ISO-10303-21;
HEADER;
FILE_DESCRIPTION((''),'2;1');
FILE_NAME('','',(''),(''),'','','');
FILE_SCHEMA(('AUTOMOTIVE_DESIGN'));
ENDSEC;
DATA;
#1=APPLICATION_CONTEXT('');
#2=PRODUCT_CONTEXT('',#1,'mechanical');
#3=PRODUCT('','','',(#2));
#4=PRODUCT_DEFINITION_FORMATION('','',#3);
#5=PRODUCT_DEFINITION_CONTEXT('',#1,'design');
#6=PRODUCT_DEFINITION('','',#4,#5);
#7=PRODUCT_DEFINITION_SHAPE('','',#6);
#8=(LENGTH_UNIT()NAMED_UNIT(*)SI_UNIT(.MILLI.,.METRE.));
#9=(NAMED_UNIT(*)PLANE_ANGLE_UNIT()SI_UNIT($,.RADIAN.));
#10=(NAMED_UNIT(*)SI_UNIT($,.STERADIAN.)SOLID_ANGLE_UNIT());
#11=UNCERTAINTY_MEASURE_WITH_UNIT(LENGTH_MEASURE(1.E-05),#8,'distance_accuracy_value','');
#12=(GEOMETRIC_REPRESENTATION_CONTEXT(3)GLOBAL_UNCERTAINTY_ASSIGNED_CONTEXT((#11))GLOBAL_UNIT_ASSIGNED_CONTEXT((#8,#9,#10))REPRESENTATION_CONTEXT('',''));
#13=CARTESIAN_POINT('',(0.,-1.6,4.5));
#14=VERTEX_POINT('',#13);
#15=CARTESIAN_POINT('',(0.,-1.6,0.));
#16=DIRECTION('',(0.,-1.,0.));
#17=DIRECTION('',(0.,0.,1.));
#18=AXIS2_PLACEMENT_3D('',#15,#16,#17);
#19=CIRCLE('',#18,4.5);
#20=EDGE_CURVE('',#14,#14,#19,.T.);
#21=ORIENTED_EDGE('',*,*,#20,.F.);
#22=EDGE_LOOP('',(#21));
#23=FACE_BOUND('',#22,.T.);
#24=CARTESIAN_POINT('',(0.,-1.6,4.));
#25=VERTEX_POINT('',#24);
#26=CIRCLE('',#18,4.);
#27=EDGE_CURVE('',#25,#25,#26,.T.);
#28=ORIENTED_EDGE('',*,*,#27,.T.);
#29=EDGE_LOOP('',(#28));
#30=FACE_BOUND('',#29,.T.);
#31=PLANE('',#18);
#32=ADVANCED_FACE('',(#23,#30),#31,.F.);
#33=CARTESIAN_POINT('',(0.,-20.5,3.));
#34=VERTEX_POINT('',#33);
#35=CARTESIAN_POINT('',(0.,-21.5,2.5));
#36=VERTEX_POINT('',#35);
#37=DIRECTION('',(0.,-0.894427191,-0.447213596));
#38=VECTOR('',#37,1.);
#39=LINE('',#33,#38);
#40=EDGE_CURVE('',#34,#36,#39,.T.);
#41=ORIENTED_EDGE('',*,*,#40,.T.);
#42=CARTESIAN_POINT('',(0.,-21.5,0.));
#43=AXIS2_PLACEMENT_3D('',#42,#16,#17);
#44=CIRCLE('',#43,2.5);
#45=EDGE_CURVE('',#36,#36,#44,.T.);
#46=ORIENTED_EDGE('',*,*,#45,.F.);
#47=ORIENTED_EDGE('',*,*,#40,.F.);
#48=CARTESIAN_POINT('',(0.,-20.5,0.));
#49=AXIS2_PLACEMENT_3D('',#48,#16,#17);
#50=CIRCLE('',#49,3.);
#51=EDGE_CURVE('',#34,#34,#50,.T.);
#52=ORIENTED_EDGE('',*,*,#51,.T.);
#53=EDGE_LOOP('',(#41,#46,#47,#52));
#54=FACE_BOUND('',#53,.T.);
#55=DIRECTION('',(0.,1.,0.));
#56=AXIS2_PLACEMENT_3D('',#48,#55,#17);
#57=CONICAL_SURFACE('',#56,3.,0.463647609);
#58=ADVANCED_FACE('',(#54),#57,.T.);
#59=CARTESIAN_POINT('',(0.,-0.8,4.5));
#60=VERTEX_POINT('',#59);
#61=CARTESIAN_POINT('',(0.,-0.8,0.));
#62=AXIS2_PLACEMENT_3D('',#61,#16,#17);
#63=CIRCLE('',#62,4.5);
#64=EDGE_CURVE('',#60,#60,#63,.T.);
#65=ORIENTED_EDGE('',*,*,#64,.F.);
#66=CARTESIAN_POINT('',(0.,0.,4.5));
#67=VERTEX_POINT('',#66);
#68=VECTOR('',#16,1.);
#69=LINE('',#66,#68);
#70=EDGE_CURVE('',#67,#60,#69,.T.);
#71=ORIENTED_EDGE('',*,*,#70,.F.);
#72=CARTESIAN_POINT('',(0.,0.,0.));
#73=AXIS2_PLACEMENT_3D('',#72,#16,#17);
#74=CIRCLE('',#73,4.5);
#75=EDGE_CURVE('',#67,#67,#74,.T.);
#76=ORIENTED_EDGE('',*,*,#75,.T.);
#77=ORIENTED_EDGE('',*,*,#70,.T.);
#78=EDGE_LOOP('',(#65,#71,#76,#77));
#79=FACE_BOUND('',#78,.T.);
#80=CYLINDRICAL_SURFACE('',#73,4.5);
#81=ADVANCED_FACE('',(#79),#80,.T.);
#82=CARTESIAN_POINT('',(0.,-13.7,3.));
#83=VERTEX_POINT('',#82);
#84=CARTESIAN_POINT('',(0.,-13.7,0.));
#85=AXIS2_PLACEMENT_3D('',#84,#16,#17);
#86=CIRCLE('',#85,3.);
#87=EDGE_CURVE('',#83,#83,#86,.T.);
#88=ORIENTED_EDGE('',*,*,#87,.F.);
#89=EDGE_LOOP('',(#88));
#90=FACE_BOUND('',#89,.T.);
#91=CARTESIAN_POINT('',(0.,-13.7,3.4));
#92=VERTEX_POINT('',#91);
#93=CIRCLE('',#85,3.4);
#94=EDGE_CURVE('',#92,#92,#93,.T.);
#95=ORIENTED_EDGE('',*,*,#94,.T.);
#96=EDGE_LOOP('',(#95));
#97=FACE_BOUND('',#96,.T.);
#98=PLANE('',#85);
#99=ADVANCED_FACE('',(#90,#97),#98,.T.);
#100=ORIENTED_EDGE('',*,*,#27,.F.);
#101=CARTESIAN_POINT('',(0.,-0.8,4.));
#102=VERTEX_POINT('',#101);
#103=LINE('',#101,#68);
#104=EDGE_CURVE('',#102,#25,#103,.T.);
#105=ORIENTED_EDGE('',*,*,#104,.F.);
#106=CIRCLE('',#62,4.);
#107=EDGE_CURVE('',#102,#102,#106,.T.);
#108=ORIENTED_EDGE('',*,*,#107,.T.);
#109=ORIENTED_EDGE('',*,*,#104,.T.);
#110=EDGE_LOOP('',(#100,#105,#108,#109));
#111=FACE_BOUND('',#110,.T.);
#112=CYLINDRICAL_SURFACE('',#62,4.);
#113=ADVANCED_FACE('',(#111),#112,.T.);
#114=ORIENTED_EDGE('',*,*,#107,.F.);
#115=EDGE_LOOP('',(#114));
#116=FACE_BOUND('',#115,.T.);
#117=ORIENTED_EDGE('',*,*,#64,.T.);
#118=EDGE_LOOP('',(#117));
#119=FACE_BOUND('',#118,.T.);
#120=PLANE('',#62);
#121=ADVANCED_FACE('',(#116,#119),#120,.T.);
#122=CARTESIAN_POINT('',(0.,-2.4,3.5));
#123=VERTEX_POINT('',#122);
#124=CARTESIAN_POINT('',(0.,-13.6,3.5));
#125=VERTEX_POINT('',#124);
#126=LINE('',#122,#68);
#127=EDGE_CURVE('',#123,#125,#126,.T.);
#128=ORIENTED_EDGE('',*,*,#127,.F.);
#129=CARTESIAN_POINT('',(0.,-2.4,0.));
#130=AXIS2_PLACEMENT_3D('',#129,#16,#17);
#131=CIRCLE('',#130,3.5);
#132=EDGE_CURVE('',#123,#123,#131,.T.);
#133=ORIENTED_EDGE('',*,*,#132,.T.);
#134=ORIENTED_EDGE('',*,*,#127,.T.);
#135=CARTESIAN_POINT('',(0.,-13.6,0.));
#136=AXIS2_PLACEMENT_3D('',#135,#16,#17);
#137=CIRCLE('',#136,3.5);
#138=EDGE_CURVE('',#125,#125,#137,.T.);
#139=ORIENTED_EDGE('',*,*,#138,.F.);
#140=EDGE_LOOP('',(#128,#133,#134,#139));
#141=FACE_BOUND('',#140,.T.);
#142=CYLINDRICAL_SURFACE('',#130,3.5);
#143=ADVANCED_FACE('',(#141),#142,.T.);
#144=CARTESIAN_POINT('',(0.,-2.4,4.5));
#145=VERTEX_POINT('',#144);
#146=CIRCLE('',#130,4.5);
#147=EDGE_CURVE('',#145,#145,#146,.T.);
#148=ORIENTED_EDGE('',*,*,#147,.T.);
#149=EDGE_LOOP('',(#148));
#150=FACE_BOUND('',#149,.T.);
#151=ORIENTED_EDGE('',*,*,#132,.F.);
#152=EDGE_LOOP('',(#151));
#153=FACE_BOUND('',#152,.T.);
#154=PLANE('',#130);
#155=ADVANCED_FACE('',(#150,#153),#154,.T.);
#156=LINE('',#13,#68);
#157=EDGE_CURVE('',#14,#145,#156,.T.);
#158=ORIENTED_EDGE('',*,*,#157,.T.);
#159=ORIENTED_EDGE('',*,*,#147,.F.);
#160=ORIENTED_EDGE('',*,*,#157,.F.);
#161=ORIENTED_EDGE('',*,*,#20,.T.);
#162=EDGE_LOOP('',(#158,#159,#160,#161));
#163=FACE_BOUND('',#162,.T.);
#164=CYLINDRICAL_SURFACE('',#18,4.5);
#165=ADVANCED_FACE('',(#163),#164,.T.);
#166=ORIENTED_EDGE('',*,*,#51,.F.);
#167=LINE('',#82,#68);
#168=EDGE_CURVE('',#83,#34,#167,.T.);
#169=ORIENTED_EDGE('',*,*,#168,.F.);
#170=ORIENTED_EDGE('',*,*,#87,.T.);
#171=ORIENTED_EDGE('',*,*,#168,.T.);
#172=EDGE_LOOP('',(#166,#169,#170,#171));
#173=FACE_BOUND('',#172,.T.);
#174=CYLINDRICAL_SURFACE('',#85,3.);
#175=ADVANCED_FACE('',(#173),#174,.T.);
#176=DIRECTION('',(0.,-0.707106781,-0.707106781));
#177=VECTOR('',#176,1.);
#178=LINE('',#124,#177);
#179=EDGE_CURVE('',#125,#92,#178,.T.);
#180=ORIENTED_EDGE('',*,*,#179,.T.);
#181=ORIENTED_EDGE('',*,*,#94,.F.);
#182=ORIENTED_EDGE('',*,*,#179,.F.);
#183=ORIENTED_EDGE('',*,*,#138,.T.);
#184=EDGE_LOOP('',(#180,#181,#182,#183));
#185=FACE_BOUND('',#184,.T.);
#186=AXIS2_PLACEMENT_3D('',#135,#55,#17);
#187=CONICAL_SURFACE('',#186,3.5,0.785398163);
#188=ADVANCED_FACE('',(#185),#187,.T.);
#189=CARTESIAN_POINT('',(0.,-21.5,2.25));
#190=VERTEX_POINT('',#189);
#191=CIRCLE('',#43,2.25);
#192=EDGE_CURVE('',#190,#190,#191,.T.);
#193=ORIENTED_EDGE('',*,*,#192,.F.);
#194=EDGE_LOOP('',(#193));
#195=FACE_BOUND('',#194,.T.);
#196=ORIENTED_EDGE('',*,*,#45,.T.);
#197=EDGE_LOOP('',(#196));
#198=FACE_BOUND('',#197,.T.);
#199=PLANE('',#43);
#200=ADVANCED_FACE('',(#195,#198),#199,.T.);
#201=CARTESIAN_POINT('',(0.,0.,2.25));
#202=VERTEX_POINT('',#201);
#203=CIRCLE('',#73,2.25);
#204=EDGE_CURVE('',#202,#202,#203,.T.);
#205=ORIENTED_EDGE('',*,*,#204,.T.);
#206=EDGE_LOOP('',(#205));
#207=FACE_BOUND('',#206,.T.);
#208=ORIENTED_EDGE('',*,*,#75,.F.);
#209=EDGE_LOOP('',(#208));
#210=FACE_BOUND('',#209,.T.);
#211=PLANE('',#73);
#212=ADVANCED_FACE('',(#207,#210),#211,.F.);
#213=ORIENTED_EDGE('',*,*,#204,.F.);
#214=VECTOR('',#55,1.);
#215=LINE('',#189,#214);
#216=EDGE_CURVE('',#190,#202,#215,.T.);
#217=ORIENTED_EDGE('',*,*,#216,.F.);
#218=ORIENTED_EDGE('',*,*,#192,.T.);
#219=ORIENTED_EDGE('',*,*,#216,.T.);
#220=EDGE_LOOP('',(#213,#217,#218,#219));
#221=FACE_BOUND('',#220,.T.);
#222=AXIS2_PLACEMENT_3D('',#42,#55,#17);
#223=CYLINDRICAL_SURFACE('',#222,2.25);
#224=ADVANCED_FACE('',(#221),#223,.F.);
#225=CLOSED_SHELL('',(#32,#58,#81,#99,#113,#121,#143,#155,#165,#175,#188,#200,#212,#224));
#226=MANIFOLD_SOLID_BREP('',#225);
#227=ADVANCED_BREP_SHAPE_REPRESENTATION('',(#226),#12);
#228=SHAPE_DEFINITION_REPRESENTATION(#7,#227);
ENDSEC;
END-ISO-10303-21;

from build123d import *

# Parameters (mm, degrees)
F2_SIZE = 0.1


with BuildPart() as f1:
    # F0 (on Right) → F1 (revolve)
    with BuildSketch(Plane.YZ):
        Polygon((-21.5, 2.25), (0, 2.25), (0, 4.5), (-0.8, 4.5), (-0.8, 4), (-1.6, 4), (-1.6, 4.5), (-2.4, 4.5), (-2.4, 3.5), (-13.7, 3.5), (-13.7, 3), (-20.5, 3), (-21.5, 2.5), align=None)
    revolve(axis=Axis((0, -10.75, 0), (0, -1, 0)))

    # F2
    f2_edges = [f1.edges().sort_by_distance(p)[0] for p in [
        (0, -13.7, -3.5),
    ]]
    chamfer(f2_edges, length=F2_SIZE)


solid = f1.part
